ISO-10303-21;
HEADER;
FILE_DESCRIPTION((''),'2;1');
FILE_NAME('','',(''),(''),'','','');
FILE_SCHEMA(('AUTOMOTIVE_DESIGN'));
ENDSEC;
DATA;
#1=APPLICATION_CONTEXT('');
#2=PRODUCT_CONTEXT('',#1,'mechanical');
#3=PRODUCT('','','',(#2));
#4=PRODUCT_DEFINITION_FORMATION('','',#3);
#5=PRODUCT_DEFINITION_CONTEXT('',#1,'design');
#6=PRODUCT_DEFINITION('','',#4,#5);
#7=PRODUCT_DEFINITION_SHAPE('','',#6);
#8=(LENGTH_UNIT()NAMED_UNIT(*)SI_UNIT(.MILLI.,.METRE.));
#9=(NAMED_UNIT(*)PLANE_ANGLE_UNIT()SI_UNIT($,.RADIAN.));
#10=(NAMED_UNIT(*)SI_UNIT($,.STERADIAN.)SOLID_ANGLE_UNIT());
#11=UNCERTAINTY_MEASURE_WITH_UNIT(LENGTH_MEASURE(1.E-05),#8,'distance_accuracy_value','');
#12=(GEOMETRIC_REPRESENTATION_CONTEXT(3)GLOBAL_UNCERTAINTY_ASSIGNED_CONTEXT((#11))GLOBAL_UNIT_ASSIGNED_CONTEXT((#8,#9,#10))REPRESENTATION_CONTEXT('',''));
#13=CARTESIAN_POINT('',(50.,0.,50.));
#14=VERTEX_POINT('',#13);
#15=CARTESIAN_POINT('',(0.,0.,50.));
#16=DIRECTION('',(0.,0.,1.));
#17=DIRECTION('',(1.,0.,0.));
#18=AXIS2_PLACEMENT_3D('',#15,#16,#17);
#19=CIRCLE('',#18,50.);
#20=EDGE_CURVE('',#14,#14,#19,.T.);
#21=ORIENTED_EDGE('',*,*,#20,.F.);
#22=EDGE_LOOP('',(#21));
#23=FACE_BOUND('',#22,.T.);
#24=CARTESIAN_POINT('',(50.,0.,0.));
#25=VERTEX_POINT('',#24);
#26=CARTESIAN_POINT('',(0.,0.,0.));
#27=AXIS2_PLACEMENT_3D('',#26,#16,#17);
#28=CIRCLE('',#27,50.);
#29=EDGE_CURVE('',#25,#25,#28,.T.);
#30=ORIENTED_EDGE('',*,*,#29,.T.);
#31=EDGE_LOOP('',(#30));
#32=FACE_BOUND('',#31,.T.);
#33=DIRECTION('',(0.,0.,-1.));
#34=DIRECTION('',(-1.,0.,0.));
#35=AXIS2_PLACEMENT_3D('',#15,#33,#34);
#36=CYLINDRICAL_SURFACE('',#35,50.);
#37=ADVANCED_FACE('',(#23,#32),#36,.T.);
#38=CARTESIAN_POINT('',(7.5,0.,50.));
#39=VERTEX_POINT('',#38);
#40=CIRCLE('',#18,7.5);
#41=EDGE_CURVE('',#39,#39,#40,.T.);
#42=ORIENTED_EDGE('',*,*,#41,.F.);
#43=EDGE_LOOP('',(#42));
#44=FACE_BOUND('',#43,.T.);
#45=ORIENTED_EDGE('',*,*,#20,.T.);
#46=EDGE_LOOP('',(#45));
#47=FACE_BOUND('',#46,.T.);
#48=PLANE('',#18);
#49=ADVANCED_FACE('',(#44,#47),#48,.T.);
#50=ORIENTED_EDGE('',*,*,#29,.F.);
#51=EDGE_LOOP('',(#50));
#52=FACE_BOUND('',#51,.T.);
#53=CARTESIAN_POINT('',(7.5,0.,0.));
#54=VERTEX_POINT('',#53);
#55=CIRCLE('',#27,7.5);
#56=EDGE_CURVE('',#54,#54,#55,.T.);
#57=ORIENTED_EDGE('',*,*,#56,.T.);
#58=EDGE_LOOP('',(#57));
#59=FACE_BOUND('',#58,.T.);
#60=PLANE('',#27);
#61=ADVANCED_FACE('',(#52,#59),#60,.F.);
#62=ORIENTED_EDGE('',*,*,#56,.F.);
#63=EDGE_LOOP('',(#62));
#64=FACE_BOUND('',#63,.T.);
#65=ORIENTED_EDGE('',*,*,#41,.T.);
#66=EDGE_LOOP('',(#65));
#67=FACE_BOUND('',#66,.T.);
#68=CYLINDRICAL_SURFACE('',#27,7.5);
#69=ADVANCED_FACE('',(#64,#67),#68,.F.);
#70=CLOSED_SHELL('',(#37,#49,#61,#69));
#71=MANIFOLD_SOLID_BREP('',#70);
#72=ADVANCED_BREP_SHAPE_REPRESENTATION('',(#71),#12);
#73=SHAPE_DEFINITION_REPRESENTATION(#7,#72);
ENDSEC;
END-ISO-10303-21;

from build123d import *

# Parameters (mm, degrees)
SKETCH1_R           = 50
BOSS_EXTRUDE1_DEPTH = 50
SKETCH2_R           = 7.5
CUT_EXTRUDE1_DEPTH  = 50


with BuildPart() as part:
    # Sketch1 → Boss-Extrude1 (new body)
    with BuildSketch(Plane.XY):
        Circle(SKETCH1_R)
    extrude(amount=BOSS_EXTRUDE1_DEPTH)

    # Sketch2 → Cut-Extrude1 (cut)
    with BuildSketch(Plane.XY.offset(50)):
        Circle(SKETCH2_R)
    extrude(amount=-CUT_EXTRUDE1_DEPTH, mode=Mode.SUBTRACT)


solid = part.part
